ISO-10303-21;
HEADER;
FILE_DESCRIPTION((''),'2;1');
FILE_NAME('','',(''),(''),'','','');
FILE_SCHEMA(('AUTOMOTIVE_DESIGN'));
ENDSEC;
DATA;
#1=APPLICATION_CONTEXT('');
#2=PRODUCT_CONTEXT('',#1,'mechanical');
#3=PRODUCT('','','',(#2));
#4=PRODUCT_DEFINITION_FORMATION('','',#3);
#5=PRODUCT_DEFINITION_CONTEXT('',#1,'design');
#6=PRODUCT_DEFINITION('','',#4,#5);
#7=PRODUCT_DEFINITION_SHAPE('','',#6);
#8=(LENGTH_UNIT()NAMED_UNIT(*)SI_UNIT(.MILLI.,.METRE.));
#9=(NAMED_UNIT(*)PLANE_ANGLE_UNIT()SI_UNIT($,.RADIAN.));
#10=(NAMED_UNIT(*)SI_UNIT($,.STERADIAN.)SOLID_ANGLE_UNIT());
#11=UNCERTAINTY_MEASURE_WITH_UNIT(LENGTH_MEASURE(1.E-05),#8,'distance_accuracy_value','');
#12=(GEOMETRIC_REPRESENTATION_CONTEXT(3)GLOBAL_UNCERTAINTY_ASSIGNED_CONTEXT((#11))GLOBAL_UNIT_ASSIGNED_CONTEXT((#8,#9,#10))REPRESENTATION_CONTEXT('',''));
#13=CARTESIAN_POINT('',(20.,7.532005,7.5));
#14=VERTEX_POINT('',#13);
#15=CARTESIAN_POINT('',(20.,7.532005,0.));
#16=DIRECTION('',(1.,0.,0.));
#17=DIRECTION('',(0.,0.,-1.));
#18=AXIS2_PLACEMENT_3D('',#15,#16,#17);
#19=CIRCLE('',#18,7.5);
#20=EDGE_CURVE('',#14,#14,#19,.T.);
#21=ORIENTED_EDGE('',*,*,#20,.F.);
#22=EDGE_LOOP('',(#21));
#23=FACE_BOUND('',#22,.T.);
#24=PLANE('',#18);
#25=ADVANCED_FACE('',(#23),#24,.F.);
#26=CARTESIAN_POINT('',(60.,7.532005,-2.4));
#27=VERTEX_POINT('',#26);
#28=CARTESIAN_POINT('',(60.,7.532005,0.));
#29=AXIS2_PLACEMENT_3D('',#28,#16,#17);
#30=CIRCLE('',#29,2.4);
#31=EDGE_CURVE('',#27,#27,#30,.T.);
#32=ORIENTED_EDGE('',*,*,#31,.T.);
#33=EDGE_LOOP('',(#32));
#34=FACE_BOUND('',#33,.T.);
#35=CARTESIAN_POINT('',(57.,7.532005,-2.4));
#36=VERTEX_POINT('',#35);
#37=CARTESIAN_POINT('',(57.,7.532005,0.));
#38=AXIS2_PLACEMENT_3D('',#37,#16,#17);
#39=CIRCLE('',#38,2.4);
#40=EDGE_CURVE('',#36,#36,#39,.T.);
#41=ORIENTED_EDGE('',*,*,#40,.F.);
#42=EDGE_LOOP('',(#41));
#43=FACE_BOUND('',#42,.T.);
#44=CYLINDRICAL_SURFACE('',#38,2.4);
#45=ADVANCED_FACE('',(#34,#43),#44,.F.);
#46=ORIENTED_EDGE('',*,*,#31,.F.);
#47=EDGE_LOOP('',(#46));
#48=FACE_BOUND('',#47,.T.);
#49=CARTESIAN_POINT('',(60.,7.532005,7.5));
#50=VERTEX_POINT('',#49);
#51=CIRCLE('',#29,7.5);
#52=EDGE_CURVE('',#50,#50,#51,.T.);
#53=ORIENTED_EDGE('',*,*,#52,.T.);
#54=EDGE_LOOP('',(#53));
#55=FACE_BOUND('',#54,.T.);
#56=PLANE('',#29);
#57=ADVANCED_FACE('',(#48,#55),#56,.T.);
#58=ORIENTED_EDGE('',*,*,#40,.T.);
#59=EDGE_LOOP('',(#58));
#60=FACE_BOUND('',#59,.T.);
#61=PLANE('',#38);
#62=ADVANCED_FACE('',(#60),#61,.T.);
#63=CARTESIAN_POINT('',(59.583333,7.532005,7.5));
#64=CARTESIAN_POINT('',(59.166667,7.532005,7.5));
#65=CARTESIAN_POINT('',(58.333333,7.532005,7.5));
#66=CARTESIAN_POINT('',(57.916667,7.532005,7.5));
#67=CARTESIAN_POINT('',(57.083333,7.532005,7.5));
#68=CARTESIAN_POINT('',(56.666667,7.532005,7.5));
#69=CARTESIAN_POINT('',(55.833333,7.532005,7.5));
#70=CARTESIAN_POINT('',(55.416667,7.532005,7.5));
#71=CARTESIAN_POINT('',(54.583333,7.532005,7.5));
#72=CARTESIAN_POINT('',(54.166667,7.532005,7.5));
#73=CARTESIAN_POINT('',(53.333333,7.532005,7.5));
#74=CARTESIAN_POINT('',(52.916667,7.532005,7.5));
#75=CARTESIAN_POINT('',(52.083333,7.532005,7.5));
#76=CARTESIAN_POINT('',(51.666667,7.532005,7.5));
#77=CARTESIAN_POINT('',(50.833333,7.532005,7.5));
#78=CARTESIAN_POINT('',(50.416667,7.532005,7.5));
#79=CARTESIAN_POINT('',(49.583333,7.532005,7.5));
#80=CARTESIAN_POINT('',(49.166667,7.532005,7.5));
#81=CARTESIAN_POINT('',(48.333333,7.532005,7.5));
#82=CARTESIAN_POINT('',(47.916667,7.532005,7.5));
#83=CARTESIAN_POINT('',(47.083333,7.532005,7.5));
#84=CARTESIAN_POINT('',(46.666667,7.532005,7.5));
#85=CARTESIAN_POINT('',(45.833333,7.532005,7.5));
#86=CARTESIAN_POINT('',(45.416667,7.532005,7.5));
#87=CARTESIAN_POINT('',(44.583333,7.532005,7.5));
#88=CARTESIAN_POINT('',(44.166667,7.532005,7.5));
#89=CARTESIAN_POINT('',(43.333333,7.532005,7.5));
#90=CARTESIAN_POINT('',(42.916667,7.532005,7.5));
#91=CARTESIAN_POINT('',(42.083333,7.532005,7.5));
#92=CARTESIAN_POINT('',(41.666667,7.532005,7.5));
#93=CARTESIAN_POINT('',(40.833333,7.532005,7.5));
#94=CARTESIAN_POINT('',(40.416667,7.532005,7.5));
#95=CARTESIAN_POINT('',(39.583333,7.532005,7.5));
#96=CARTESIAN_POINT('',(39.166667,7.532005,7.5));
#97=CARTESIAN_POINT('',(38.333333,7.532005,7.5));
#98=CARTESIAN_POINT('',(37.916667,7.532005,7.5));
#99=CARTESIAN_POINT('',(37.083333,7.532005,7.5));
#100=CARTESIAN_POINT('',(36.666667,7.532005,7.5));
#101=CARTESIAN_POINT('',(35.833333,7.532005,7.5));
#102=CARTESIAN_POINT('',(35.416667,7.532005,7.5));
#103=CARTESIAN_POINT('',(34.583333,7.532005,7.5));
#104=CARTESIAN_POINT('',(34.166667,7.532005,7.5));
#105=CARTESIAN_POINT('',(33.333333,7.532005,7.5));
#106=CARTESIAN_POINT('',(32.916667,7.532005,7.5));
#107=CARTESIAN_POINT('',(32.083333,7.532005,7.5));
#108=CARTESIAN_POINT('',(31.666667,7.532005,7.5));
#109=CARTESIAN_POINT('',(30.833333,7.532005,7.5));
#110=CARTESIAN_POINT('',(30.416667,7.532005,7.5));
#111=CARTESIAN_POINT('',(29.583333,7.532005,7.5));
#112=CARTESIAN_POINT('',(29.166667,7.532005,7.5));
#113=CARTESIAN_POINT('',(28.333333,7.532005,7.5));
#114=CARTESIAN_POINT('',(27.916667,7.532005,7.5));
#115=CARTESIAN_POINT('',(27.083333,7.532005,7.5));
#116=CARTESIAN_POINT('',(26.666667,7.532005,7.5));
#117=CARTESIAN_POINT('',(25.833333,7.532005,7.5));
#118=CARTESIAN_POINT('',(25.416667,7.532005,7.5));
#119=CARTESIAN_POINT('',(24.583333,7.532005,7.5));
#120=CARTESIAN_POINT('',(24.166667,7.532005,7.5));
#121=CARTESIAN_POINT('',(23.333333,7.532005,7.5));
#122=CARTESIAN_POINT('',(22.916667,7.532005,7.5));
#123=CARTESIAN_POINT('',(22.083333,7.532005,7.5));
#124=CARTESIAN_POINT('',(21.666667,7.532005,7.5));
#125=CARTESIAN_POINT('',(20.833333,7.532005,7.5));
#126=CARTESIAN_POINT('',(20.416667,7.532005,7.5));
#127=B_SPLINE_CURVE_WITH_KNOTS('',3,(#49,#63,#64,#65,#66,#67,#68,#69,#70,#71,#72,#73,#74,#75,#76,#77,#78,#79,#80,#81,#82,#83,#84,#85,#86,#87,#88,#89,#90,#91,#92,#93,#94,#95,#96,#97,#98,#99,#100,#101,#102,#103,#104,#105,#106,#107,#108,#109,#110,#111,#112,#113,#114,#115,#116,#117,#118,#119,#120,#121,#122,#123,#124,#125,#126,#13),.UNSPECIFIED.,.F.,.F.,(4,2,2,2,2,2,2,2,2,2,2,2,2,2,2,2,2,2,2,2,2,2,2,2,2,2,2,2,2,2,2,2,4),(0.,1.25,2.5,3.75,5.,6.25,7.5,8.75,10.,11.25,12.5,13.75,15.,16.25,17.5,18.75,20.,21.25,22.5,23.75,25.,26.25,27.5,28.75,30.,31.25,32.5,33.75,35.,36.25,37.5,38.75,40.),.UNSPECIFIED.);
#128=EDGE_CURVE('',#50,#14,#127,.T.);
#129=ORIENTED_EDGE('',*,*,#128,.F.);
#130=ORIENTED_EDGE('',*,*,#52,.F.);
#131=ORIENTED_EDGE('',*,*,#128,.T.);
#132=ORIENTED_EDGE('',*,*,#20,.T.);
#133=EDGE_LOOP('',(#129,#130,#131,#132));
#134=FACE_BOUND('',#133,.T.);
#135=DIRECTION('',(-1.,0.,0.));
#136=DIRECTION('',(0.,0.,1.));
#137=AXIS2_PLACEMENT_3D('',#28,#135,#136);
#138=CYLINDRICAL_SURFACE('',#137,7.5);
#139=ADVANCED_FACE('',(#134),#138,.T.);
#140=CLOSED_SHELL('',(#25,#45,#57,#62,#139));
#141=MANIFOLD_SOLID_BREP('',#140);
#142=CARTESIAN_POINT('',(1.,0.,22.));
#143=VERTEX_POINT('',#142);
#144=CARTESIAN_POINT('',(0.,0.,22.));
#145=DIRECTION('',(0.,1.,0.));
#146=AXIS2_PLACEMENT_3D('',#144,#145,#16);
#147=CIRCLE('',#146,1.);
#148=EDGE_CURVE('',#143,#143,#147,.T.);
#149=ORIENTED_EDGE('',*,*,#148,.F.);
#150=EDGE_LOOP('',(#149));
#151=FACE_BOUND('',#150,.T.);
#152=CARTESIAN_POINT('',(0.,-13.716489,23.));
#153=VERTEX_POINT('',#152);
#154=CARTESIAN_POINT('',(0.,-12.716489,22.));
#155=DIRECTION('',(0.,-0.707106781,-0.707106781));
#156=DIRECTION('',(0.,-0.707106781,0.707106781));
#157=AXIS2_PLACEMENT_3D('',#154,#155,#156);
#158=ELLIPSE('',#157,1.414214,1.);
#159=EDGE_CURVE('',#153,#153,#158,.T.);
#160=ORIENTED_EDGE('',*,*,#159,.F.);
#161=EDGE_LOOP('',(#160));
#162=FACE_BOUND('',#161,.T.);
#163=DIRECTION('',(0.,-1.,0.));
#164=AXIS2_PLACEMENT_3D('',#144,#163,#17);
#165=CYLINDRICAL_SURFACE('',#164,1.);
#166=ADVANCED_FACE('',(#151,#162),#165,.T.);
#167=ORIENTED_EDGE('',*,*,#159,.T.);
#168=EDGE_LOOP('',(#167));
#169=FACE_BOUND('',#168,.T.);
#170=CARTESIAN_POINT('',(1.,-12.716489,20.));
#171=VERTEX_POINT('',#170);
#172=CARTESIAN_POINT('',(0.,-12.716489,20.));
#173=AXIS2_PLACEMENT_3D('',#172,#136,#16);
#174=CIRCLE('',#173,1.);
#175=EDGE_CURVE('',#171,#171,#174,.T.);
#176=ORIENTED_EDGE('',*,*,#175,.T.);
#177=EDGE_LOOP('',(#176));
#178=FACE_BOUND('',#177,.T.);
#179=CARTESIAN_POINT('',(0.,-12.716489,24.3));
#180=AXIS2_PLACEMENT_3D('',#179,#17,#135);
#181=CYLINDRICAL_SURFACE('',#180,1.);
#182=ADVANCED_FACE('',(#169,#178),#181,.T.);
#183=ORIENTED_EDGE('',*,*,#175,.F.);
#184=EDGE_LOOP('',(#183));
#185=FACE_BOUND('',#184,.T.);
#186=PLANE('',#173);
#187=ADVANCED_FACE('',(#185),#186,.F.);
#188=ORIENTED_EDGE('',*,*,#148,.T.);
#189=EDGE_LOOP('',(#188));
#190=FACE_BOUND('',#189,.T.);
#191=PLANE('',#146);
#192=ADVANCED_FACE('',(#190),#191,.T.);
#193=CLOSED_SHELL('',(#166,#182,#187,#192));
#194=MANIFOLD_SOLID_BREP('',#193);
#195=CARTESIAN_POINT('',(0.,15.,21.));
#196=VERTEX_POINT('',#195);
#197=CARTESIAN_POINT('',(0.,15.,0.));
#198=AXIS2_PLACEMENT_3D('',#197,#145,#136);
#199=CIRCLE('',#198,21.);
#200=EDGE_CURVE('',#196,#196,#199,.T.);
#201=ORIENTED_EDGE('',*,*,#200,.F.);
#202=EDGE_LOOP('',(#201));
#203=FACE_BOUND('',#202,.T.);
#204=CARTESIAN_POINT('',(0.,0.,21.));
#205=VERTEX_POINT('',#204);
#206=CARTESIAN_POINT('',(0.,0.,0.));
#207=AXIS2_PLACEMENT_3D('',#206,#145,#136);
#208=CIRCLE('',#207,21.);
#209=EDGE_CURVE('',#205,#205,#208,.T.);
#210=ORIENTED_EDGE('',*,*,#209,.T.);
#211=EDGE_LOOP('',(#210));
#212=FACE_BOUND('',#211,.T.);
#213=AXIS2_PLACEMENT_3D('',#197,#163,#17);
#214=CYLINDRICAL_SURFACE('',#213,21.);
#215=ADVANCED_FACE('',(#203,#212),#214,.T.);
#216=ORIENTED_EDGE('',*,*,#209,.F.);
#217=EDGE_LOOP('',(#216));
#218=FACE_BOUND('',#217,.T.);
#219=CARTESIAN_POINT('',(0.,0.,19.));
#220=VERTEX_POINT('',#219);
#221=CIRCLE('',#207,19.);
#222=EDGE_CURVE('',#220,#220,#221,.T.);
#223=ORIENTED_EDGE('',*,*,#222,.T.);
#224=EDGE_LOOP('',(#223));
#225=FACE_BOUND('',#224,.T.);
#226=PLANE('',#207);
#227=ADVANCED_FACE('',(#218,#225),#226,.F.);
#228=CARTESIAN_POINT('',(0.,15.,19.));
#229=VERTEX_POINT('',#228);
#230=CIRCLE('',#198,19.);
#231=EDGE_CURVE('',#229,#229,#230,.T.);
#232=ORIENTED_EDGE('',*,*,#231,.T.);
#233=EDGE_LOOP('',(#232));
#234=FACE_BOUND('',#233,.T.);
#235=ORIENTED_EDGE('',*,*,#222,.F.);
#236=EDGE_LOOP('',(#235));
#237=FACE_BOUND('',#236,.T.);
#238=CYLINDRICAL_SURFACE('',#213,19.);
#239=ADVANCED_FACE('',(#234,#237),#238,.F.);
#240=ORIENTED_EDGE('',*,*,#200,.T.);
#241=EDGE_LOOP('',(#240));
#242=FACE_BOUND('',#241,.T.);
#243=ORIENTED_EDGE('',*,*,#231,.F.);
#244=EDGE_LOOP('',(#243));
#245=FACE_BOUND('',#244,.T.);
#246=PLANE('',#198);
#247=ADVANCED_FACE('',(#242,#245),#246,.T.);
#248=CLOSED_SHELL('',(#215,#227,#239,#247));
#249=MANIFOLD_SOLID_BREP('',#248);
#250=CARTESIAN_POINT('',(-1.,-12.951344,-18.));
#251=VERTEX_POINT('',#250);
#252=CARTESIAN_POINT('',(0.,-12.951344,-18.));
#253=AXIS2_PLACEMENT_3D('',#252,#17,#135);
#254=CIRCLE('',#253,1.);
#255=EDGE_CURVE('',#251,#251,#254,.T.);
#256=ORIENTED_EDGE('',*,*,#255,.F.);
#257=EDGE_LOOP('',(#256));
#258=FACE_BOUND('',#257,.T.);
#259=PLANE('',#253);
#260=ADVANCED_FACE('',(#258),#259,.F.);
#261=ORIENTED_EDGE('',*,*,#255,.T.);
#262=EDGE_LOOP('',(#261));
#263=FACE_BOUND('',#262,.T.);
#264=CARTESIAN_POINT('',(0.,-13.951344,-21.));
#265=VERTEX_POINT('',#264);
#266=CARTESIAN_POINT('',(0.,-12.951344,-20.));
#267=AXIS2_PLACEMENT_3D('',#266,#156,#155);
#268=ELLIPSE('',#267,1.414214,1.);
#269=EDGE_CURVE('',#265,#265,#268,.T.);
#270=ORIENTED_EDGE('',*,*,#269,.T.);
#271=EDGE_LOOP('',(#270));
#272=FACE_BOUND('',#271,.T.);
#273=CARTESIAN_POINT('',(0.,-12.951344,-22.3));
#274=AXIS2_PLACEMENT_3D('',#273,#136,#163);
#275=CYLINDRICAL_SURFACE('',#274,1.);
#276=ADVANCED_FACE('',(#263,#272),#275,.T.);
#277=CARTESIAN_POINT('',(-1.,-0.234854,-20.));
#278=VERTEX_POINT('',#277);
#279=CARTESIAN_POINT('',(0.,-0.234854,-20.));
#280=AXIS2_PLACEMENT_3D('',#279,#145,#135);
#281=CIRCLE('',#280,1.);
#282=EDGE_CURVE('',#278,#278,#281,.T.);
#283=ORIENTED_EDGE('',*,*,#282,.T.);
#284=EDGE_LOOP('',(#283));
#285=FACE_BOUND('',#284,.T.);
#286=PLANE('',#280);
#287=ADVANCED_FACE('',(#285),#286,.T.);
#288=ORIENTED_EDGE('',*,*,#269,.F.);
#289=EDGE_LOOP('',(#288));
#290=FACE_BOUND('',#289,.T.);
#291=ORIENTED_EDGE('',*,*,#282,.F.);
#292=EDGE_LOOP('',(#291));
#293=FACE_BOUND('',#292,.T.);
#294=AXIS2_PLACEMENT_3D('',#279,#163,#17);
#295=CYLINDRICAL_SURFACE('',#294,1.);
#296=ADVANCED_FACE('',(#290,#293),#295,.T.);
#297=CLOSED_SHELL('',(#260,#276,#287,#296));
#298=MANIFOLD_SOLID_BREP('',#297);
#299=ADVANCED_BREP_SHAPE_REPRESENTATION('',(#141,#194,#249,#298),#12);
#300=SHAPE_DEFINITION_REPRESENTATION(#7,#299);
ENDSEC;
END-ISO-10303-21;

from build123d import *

# Parameters (mm, degrees)
SKETCH1_R           = 21
SKETCH1_R_2         = 19
BOSS_EXTRUDE1_DEPTH = 15
SKETCH2_R           = 7.5
BOSS_EXTRUDE2_DEPTH = 40
SKETCH3_R           = 2.4
CUT_EXTRUDE1_DEPTH  = 3
SWEEP4_PROFILE_R    = 1
SWEEP5_PROFILE_R    = 1


with BuildPart() as part:
    # Sketch1 → Boss-Extrude1 (new body)
    with BuildSketch(Plane(origin=(0, 0, 0), x_dir=(1, 0, 0), z_dir=(0, 1, 0))):
        with Locations(Location((0, 0, 0), (0, 0, 270))):
            Circle(SKETCH1_R)
        with Locations(Location((0, 0, 0), (0, 0, 270))):
            Circle(SKETCH1_R_2, mode=Mode.SUBTRACT)
    extrude(amount=BOSS_EXTRUDE1_DEPTH)


with BuildPart() as body_2:
    # Sketch2 → Boss-Extrude2 (new body)
    with BuildSketch(Plane(origin=(20, 0, 0), x_dir=(0, 0, -1), z_dir=(1, 0, 0))):
        with Locations(Location((0, 7.532005334, 0), (0, 0, 180))):
            Circle(SKETCH2_R)
    extrude(amount=BOSS_EXTRUDE2_DEPTH)

    # Sketch3 → Cut-Extrude1 (cut)
    with BuildSketch(Plane(origin=(60, 0, 0), x_dir=(0, 0, -1), z_dir=(1, 0, 0))):
        with Locations((0, 7.532005334)):
            Circle(SKETCH3_R)
    extrude(amount=-CUT_EXTRUDE1_DEPTH, mode=Mode.SUBTRACT)


with BuildPart() as body_3:
    # Sweep4: sweep along a path in Sketch5
    with BuildLine(Plane(origin=(0, 0, 0), x_dir=(0, 0, -1), z_dir=(1, 0, 0))) as sweep4_path:
        Line((-22, 0), (-22, -12.716489415))
        Line((-22, -12.716489415), (-20, -12.716489415))
    # Sweep4 profile (on start of the path) → Sweep4 (sweep)
    with BuildSketch(Plane(origin=(0, 0, 22), x_dir=(0, 0, -1), z_dir=(0, -1, 0))):
        Circle(SWEEP4_PROFILE_R)
    sweep(path=sweep4_path.line, transition=Transition.RIGHT)


with BuildPart() as body_4:
    # Sweep5: sweep along a path in Sketch89
    with BuildLine(Plane(origin=(0, 0, 0), x_dir=(0, 0, -1), z_dir=(1, 0, 0))) as sweep5_path:
        Line((20, -0.234854142), (20, -12.951343557))
        Line((20, -12.951343557), (18, -12.951343557))
    # Sweep5 profile (on start of the path) → Sweep5 (sweep)
    with BuildSketch(Plane(origin=(0, -0.234854142, -20), x_dir=(0, 0, -1), z_dir=(0, -1, 0))):
        Circle(SWEEP5_PROFILE_R)
    sweep(path=sweep5_path.line, transition=Transition.RIGHT)


solid = Compound([part.part, body_2.part, body_3.part, body_4.part])
